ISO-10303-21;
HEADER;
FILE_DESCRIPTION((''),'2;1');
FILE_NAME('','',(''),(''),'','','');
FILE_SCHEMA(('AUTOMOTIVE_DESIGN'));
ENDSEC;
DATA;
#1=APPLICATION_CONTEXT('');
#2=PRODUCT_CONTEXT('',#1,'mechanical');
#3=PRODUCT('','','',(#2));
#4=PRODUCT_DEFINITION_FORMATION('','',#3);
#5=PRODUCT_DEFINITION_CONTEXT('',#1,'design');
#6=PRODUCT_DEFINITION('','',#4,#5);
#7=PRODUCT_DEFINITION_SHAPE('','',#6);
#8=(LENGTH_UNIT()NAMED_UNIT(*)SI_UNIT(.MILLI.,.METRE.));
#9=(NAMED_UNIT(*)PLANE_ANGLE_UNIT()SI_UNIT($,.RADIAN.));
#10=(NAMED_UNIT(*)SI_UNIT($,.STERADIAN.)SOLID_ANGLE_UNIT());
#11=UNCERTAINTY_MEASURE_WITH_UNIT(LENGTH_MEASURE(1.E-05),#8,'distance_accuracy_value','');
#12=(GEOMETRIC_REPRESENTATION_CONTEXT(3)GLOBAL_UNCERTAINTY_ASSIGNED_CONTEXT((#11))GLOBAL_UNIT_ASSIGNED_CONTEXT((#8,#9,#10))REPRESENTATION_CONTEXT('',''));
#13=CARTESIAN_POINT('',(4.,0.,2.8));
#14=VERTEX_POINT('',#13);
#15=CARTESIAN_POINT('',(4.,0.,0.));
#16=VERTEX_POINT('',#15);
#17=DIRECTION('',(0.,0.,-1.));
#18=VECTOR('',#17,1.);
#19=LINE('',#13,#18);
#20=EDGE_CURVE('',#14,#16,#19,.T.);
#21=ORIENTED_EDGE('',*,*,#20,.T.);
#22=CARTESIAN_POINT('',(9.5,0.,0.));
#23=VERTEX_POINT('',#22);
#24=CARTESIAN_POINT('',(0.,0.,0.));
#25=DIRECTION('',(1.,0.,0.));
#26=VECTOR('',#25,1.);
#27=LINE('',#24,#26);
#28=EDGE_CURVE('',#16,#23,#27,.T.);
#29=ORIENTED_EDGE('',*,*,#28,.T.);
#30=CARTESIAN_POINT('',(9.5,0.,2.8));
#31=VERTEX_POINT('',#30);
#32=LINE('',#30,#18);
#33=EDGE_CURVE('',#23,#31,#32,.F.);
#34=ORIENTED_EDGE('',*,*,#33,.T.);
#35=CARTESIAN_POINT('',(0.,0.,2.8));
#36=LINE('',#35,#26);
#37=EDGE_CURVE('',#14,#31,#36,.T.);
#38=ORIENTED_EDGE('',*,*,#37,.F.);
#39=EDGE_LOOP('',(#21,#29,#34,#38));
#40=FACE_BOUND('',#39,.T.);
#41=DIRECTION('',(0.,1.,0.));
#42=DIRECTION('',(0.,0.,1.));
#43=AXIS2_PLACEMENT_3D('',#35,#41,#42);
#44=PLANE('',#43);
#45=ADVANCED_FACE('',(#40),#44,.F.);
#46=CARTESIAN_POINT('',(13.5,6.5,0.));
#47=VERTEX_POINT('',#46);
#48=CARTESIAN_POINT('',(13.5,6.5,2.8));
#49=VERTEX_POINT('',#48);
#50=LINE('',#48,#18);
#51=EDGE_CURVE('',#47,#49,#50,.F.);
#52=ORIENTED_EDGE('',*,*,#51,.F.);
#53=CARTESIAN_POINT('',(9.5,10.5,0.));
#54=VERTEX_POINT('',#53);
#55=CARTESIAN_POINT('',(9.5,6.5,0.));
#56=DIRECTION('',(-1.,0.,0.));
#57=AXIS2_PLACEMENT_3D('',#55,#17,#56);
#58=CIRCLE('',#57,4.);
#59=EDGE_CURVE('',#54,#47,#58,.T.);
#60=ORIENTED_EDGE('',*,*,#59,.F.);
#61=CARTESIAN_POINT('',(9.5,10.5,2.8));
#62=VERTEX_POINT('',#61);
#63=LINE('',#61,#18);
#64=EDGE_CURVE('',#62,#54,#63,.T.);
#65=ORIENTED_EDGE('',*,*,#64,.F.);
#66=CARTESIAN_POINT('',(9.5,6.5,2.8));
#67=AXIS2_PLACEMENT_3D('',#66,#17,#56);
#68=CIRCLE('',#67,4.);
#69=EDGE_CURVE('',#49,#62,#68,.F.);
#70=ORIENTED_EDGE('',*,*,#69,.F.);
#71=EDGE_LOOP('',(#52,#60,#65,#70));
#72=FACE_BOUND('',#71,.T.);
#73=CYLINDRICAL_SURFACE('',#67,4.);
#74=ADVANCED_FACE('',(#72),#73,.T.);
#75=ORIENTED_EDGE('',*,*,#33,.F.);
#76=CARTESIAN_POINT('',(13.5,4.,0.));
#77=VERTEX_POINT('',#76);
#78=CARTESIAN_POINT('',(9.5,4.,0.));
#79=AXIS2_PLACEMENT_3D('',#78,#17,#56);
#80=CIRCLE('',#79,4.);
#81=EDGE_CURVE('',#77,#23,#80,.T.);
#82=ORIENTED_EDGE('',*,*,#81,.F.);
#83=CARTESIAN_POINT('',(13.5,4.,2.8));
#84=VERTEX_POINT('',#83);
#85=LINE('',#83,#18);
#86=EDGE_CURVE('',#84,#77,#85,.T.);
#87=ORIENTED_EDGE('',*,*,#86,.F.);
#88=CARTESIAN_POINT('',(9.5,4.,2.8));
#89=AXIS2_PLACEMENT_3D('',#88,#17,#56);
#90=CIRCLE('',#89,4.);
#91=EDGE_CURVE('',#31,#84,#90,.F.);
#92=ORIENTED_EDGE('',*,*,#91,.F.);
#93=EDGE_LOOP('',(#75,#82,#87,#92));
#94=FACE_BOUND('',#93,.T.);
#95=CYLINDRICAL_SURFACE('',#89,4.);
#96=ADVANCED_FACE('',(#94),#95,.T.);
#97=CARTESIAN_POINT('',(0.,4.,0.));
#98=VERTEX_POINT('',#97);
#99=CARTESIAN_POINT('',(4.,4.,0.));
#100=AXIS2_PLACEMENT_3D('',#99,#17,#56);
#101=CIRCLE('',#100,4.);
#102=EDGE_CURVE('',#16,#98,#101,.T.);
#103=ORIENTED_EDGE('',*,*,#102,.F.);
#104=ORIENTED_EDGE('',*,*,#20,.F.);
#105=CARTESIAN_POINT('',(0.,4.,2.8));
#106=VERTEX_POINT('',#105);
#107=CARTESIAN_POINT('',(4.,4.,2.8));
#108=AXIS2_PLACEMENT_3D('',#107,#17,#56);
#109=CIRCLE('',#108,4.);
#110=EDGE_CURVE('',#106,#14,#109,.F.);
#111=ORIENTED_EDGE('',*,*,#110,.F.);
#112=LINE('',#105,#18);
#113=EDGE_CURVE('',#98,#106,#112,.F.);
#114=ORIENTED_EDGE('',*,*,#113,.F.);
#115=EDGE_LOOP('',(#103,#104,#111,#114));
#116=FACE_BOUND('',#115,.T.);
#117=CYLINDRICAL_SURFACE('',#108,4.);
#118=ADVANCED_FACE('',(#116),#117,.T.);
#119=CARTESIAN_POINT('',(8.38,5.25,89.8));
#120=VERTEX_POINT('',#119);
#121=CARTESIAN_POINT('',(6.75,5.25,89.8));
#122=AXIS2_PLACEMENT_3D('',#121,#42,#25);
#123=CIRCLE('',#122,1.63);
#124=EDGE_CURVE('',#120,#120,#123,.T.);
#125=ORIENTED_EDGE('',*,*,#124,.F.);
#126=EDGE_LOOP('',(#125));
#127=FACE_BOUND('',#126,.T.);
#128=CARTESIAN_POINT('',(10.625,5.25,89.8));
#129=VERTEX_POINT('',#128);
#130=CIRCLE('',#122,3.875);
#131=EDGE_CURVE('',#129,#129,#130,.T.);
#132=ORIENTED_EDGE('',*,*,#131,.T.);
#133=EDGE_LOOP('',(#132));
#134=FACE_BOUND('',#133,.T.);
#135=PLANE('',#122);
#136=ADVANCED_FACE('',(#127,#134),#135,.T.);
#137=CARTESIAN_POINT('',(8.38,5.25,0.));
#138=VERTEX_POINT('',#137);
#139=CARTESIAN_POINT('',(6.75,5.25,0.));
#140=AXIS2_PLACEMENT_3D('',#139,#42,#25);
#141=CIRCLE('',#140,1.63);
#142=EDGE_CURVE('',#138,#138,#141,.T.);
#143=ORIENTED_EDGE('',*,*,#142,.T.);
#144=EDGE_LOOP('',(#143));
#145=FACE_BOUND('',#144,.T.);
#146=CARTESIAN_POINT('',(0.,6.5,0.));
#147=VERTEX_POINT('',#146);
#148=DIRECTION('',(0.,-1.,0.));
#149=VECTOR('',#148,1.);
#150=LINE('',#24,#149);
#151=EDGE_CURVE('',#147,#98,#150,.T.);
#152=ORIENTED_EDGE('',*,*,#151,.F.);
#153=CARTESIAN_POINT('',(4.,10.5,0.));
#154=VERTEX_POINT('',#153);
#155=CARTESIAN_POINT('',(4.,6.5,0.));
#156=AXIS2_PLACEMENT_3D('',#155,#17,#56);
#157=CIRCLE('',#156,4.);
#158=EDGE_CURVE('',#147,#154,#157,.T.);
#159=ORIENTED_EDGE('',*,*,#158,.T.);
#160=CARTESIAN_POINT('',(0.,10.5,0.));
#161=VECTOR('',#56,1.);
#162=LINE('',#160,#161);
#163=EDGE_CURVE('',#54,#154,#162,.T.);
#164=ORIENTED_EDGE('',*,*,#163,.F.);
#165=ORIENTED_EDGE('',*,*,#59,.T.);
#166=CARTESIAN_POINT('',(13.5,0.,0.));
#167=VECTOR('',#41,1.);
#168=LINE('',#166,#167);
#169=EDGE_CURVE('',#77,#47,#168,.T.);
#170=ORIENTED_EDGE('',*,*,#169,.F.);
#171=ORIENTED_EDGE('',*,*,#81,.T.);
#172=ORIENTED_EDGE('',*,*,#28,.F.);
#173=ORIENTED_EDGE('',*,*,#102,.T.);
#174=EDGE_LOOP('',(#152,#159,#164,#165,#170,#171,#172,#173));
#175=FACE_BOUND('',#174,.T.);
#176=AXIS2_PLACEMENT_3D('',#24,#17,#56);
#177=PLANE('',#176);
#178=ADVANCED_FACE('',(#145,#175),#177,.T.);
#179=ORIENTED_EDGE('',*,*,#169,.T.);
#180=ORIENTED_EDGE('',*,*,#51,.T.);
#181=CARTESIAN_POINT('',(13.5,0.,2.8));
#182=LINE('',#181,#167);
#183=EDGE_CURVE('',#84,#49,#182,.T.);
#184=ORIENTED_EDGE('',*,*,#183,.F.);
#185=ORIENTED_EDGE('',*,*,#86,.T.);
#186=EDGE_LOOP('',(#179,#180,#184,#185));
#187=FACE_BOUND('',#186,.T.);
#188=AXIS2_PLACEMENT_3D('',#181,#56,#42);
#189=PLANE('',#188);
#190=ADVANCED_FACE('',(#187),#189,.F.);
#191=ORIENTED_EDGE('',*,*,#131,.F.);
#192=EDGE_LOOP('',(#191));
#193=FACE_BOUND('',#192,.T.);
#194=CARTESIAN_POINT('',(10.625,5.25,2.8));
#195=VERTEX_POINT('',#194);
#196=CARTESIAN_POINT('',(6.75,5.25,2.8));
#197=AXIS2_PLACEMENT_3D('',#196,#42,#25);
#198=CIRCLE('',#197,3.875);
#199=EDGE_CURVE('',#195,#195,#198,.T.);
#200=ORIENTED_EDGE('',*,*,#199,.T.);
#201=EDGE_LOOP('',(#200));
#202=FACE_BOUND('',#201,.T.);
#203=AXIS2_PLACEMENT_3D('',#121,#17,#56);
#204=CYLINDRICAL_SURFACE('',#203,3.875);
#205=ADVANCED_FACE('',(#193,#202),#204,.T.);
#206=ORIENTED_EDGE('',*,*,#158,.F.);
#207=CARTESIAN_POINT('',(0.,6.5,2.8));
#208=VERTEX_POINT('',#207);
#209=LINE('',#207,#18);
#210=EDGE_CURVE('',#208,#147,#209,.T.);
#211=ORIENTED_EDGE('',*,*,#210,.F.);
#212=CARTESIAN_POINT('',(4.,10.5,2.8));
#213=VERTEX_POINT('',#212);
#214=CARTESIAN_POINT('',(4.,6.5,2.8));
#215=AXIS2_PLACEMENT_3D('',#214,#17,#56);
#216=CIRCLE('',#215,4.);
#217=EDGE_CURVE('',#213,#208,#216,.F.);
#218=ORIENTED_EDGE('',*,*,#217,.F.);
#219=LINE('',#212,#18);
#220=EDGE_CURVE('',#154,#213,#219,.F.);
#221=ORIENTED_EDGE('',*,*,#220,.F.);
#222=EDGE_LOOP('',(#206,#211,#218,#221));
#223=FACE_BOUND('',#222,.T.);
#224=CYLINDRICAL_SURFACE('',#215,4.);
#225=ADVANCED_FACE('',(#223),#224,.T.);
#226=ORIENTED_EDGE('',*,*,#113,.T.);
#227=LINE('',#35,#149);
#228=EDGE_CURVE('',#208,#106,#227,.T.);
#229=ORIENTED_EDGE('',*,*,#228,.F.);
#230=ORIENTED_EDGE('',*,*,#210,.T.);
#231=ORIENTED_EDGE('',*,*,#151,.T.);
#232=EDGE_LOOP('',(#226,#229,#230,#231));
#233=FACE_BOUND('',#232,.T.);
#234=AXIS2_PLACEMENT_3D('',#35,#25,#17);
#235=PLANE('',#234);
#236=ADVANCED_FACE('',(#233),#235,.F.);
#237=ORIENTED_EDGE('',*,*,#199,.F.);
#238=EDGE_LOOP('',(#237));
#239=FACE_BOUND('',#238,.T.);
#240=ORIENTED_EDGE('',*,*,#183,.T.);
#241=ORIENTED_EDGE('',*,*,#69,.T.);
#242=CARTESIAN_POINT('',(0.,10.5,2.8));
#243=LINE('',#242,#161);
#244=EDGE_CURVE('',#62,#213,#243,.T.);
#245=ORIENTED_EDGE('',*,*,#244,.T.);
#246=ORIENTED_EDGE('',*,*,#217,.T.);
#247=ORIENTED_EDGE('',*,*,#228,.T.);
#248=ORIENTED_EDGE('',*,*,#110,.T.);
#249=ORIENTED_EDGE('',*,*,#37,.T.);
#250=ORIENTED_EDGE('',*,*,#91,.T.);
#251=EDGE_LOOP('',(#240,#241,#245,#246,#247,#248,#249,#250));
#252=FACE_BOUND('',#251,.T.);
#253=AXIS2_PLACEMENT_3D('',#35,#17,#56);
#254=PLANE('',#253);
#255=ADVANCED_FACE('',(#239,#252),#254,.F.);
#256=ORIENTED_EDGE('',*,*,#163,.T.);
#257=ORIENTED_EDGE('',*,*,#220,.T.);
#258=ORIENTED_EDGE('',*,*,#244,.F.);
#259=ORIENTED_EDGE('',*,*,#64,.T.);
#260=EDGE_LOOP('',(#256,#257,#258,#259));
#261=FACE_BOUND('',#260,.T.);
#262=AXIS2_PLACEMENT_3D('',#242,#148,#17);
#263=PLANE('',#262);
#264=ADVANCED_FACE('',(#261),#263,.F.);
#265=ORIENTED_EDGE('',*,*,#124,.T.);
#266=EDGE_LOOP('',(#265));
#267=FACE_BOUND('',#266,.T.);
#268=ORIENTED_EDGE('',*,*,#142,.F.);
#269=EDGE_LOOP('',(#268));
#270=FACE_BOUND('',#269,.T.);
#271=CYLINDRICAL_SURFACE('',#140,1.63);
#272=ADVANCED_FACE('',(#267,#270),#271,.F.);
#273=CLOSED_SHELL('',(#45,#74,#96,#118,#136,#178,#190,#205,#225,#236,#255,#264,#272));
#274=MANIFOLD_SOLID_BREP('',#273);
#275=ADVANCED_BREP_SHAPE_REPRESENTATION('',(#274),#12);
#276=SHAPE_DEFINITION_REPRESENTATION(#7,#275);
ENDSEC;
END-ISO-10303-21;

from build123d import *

# Parameters (mm, degrees)
SKETCH4_W           = 13.5
SKETCH4_H           = 10.5
BOSS_EXTRUDE2_DEPTH = 2.8
SKETCH5_R           = 3.875
BOSS_EXTRUDE3_DEPTH = 87
SKETCH6_R           = 1.63
CUT_EXTRUDE1_DEPTH  = 90.8
FILLET1_R           = 4


with BuildPart() as part:
    # Sketch4 → Boss-Extrude2 (new body)
    with BuildSketch(Plane.XY):
        with Locations((6.75, 5.25)):
            Rectangle(SKETCH4_W, SKETCH4_H)
    extrude(amount=BOSS_EXTRUDE2_DEPTH)

    # Sketch5 → Boss-Extrude3 (add)
    with BuildSketch(Plane.XY.offset(2.8)):
        with Locations((6.75, 5.25)):
            Circle(SKETCH5_R)
    extrude(amount=BOSS_EXTRUDE3_DEPTH)

    # Sketch6 → Cut-Extrude1 (cut, through all)
    with BuildSketch(Plane.XY.offset(89.8)):
        with Locations((6.75, 5.25)):
            Circle(SKETCH6_R)
    extrude(amount=-CUT_EXTRUDE1_DEPTH, mode=Mode.SUBTRACT)

    # Fillet1
    fillet1_edges = [part.edges().sort_by_distance(p)[0] for p in [
        (0, 10.5, 1.4),
        (13.5, 10.5, 1.4),
        (13.5, 0, 1.4),
        (0, 0, 1.4),
    ]]
    fillet(fillet1_edges, radius=FILLET1_R)


solid = part.part
